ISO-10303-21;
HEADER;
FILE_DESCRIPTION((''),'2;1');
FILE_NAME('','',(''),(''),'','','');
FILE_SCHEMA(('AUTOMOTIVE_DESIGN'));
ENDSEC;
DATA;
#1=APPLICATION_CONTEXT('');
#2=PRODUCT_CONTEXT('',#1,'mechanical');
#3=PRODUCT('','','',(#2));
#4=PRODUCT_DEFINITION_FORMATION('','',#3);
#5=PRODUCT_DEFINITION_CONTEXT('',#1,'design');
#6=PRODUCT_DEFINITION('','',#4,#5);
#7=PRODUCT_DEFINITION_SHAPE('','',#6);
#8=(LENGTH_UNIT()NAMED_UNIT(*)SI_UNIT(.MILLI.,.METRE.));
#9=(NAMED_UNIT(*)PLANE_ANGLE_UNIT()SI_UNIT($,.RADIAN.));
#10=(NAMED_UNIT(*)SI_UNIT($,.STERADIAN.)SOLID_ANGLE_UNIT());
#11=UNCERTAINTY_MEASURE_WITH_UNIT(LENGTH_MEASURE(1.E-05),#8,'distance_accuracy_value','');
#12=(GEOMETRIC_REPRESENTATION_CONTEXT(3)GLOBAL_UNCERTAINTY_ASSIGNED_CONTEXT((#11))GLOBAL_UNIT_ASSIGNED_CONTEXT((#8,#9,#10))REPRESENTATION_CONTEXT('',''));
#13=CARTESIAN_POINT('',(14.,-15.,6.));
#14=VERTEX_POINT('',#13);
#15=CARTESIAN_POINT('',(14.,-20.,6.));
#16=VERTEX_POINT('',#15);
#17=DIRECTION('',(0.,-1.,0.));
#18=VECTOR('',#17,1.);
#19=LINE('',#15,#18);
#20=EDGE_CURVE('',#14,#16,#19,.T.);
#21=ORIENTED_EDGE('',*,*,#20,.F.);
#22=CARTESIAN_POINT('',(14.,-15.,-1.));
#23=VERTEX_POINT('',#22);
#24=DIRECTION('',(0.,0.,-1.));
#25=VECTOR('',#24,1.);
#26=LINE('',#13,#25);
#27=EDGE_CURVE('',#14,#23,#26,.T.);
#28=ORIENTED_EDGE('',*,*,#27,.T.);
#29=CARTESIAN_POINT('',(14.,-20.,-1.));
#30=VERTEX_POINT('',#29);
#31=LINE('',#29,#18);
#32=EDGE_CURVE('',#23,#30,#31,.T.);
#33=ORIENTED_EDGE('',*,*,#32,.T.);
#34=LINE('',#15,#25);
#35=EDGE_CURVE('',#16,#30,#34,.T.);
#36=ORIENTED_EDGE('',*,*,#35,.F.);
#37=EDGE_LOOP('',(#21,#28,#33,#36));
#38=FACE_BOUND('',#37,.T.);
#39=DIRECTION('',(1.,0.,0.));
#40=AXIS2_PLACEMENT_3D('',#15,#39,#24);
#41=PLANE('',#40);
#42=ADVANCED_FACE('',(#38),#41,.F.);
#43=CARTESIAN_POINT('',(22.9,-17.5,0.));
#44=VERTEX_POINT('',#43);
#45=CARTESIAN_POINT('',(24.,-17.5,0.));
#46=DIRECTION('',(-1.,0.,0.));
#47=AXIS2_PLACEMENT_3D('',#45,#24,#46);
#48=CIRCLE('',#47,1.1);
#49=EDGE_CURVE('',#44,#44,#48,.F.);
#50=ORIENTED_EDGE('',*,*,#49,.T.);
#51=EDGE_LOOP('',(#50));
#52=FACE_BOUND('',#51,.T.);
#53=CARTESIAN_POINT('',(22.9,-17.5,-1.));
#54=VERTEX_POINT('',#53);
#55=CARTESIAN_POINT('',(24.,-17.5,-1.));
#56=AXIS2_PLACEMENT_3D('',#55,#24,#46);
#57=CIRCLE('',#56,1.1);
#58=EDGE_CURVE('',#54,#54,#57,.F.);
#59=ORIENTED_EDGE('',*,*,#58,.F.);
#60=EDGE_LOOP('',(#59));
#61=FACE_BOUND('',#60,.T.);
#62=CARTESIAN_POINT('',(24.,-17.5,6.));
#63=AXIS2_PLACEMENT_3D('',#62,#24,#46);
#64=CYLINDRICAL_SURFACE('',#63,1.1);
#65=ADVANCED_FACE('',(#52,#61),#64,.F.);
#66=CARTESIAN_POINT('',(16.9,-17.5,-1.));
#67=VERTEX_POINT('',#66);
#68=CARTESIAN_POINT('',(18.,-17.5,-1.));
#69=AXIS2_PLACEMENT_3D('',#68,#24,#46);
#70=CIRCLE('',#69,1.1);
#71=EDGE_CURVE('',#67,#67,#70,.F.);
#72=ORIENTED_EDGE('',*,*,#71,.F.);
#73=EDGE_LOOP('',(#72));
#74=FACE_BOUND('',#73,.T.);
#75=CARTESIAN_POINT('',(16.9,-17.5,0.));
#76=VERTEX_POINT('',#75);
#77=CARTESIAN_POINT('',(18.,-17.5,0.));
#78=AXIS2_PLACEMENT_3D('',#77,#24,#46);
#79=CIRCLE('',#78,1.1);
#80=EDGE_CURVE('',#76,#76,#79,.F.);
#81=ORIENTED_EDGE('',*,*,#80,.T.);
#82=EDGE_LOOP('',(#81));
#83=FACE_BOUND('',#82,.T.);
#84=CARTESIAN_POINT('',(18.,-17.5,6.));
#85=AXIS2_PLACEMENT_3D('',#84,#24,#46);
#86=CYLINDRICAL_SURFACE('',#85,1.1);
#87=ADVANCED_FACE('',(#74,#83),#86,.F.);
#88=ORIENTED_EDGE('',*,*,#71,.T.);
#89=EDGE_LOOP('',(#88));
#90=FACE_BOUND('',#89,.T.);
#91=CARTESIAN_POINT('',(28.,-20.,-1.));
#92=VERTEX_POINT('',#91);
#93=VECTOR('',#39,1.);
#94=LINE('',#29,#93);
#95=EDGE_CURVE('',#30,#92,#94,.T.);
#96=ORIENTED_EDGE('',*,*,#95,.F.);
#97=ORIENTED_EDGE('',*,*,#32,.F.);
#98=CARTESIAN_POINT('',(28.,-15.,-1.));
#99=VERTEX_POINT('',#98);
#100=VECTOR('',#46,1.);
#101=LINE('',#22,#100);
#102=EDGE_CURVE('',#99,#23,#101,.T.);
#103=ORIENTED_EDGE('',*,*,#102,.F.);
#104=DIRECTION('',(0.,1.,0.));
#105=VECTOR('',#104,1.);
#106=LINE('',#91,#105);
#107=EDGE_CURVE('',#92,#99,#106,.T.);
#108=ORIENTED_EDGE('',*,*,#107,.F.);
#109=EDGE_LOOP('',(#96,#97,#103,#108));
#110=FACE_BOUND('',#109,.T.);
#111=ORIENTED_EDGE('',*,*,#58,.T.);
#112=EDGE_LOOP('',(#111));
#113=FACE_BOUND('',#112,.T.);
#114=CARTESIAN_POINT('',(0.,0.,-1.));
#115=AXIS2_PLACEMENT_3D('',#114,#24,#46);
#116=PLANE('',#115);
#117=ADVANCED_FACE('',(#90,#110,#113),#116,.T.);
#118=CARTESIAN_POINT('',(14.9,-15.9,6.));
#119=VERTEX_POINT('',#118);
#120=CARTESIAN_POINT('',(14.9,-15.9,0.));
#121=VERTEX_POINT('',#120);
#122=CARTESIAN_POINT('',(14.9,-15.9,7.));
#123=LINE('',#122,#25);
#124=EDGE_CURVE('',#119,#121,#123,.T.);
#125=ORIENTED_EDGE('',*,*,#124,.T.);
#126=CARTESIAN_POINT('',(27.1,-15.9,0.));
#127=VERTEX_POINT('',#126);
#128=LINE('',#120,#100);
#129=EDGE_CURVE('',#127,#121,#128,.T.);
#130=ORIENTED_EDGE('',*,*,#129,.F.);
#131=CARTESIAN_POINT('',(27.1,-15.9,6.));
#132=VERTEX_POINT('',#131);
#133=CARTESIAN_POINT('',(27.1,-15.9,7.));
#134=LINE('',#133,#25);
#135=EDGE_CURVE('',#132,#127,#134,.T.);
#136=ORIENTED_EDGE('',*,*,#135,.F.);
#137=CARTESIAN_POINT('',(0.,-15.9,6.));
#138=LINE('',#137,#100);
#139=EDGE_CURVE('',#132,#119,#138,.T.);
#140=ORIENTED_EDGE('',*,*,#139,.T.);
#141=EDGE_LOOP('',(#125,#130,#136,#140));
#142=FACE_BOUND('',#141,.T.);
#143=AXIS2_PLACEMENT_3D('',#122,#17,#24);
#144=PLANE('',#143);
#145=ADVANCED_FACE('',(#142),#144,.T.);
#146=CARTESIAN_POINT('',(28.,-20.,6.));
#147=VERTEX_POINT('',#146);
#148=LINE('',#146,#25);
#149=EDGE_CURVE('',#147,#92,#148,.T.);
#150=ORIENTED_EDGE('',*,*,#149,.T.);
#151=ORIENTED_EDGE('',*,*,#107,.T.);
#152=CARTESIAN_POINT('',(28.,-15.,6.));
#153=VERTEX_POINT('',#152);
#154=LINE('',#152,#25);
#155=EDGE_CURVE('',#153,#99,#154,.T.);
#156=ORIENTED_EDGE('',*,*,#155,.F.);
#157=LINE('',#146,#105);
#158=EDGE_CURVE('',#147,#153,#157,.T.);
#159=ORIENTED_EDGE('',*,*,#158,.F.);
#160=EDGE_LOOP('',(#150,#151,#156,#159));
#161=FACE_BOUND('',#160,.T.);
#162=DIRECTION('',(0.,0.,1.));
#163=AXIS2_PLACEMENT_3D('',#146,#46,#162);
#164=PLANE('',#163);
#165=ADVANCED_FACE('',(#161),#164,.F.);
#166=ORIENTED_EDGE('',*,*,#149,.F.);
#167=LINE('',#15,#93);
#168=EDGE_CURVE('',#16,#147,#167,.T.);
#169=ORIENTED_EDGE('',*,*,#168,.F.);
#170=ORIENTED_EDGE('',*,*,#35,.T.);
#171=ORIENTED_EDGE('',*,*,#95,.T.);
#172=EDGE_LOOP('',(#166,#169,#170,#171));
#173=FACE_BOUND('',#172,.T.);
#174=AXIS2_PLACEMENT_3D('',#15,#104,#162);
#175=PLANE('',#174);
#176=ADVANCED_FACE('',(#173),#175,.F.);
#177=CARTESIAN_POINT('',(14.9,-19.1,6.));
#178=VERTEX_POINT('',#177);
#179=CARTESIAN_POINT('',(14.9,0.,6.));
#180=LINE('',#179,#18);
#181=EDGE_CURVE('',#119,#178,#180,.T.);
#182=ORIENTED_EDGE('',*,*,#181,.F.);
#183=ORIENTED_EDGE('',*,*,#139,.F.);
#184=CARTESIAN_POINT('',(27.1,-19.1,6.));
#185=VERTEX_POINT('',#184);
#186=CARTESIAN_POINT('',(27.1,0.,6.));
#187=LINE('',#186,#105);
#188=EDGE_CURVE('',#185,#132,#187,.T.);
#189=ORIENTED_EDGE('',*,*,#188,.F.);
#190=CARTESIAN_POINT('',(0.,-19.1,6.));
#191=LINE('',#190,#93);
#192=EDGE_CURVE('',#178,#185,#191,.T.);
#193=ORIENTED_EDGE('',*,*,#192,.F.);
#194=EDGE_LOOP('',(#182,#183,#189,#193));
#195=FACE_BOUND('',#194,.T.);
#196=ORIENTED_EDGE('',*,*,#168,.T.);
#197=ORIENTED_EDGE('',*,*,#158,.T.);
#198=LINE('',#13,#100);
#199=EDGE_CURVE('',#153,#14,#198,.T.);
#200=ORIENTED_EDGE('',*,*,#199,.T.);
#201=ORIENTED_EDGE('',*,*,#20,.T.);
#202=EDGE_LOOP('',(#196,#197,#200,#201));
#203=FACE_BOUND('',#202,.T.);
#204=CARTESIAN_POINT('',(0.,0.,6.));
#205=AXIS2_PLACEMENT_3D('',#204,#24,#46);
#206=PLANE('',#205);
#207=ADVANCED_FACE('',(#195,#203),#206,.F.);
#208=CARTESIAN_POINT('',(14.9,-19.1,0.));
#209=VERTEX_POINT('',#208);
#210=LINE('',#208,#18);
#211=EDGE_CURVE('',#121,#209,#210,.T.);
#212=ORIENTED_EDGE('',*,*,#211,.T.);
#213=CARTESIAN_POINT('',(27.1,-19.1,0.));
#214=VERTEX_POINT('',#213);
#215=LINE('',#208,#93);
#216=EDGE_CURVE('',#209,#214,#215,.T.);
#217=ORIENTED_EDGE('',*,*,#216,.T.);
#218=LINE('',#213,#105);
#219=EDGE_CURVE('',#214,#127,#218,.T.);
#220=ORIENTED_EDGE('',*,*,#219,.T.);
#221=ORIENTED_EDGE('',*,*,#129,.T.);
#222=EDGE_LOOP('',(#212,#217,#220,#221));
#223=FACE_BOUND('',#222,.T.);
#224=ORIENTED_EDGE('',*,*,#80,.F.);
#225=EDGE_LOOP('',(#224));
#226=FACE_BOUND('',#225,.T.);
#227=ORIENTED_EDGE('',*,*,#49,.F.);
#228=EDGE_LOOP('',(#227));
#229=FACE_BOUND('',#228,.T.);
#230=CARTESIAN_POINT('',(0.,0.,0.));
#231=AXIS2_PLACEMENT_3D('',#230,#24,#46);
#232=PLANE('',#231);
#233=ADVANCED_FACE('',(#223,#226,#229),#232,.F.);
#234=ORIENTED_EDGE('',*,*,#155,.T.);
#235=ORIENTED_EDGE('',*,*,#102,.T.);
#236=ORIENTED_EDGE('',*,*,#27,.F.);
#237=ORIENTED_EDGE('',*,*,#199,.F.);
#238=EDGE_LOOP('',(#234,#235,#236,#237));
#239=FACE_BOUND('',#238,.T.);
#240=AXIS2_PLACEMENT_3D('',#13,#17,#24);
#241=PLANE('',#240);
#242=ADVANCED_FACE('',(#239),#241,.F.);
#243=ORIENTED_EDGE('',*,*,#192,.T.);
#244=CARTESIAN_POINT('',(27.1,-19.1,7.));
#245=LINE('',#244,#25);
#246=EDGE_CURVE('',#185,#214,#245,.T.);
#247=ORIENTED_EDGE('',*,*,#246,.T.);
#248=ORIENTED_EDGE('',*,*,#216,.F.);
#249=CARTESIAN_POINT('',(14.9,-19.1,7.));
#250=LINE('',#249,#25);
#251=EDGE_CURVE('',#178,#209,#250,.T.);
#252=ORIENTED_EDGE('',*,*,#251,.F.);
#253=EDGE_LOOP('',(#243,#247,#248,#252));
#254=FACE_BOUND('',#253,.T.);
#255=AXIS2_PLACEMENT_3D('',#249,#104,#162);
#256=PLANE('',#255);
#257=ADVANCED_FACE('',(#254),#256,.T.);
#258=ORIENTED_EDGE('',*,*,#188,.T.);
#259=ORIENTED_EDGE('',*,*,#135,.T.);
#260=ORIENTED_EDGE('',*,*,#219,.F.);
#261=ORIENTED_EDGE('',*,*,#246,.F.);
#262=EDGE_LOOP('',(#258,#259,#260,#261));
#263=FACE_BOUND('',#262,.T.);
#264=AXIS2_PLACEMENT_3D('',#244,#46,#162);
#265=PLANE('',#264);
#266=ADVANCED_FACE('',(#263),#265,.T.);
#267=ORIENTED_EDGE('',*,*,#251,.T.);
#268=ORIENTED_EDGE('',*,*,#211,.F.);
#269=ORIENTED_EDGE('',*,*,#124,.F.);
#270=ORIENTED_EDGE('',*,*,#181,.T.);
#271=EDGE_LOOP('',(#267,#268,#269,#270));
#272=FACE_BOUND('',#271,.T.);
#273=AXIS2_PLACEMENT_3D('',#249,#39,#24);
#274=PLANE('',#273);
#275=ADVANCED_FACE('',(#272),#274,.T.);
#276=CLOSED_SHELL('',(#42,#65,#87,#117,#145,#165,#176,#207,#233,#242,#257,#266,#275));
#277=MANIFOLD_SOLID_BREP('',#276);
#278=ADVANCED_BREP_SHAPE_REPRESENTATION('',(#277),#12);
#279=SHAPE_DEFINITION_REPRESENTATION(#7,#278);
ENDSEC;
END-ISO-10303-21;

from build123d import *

# Parameters (mm, degrees)
SOFT_CONTACT_AND_WRAP_START     = -1
SOFT_CONTACT_AND_WRAP_PROFILE_W = 14
SOFT_CONTACT_AND_WRAP_PROFILE_H = 5
SOFT_CONTACT_AND_WRAP_DEPTH     = 7
FINGER_SLIP_POCKET_PROFILE_W    = 12.2
FINGER_SLIP_POCKET_PROFILE_H    = 3.2
OPEN_TOP_SLIP_POCKET_DEPTH      = 7
PAD_CAPTURE_M2_START            = -50
PAD_CAPTURE_M2_PROFILE_R        = 1.1
PAD_CAPTURE_M2_DEPTH            = 85.928498393


with BuildPart() as part:
    # Soft_contact_and_wrap_profile → Soft_contact_and_wrap (new body)
    with BuildSketch(Plane.XY.offset(SOFT_CONTACT_AND_WRAP_START)):
        with Locations((21, -17.5)):
            Rectangle(SOFT_CONTACT_AND_WRAP_PROFILE_W, SOFT_CONTACT_AND_WRAP_PROFILE_H)
    extrude(amount=SOFT_CONTACT_AND_WRAP_DEPTH)

    # Finger_slip_pocket_profile → Open_top_slip_pocket (cut)
    with BuildSketch(Plane.XY):
        with Locations((21, -17.5)):
            Rectangle(FINGER_SLIP_POCKET_PROFILE_W, FINGER_SLIP_POCKET_PROFILE_H)
    extrude(amount=OPEN_TOP_SLIP_POCKET_DEPTH, mode=Mode.SUBTRACT)

    # Pad_capture_M2_profile → Pad_capture_M2 (cut, through all)
    with BuildSketch(Plane.XY.offset(PAD_CAPTURE_M2_START)):
        with Locations(Location((18, -17.5, 0), (0, 0, 180))):
            Circle(PAD_CAPTURE_M2_PROFILE_R)
        with Locations(Location((24, -17.5, 0), (0, 0, 180))):
            Circle(PAD_CAPTURE_M2_PROFILE_R)
    extrude(amount=PAD_CAPTURE_M2_DEPTH, mode=Mode.SUBTRACT)


solid = part.part
